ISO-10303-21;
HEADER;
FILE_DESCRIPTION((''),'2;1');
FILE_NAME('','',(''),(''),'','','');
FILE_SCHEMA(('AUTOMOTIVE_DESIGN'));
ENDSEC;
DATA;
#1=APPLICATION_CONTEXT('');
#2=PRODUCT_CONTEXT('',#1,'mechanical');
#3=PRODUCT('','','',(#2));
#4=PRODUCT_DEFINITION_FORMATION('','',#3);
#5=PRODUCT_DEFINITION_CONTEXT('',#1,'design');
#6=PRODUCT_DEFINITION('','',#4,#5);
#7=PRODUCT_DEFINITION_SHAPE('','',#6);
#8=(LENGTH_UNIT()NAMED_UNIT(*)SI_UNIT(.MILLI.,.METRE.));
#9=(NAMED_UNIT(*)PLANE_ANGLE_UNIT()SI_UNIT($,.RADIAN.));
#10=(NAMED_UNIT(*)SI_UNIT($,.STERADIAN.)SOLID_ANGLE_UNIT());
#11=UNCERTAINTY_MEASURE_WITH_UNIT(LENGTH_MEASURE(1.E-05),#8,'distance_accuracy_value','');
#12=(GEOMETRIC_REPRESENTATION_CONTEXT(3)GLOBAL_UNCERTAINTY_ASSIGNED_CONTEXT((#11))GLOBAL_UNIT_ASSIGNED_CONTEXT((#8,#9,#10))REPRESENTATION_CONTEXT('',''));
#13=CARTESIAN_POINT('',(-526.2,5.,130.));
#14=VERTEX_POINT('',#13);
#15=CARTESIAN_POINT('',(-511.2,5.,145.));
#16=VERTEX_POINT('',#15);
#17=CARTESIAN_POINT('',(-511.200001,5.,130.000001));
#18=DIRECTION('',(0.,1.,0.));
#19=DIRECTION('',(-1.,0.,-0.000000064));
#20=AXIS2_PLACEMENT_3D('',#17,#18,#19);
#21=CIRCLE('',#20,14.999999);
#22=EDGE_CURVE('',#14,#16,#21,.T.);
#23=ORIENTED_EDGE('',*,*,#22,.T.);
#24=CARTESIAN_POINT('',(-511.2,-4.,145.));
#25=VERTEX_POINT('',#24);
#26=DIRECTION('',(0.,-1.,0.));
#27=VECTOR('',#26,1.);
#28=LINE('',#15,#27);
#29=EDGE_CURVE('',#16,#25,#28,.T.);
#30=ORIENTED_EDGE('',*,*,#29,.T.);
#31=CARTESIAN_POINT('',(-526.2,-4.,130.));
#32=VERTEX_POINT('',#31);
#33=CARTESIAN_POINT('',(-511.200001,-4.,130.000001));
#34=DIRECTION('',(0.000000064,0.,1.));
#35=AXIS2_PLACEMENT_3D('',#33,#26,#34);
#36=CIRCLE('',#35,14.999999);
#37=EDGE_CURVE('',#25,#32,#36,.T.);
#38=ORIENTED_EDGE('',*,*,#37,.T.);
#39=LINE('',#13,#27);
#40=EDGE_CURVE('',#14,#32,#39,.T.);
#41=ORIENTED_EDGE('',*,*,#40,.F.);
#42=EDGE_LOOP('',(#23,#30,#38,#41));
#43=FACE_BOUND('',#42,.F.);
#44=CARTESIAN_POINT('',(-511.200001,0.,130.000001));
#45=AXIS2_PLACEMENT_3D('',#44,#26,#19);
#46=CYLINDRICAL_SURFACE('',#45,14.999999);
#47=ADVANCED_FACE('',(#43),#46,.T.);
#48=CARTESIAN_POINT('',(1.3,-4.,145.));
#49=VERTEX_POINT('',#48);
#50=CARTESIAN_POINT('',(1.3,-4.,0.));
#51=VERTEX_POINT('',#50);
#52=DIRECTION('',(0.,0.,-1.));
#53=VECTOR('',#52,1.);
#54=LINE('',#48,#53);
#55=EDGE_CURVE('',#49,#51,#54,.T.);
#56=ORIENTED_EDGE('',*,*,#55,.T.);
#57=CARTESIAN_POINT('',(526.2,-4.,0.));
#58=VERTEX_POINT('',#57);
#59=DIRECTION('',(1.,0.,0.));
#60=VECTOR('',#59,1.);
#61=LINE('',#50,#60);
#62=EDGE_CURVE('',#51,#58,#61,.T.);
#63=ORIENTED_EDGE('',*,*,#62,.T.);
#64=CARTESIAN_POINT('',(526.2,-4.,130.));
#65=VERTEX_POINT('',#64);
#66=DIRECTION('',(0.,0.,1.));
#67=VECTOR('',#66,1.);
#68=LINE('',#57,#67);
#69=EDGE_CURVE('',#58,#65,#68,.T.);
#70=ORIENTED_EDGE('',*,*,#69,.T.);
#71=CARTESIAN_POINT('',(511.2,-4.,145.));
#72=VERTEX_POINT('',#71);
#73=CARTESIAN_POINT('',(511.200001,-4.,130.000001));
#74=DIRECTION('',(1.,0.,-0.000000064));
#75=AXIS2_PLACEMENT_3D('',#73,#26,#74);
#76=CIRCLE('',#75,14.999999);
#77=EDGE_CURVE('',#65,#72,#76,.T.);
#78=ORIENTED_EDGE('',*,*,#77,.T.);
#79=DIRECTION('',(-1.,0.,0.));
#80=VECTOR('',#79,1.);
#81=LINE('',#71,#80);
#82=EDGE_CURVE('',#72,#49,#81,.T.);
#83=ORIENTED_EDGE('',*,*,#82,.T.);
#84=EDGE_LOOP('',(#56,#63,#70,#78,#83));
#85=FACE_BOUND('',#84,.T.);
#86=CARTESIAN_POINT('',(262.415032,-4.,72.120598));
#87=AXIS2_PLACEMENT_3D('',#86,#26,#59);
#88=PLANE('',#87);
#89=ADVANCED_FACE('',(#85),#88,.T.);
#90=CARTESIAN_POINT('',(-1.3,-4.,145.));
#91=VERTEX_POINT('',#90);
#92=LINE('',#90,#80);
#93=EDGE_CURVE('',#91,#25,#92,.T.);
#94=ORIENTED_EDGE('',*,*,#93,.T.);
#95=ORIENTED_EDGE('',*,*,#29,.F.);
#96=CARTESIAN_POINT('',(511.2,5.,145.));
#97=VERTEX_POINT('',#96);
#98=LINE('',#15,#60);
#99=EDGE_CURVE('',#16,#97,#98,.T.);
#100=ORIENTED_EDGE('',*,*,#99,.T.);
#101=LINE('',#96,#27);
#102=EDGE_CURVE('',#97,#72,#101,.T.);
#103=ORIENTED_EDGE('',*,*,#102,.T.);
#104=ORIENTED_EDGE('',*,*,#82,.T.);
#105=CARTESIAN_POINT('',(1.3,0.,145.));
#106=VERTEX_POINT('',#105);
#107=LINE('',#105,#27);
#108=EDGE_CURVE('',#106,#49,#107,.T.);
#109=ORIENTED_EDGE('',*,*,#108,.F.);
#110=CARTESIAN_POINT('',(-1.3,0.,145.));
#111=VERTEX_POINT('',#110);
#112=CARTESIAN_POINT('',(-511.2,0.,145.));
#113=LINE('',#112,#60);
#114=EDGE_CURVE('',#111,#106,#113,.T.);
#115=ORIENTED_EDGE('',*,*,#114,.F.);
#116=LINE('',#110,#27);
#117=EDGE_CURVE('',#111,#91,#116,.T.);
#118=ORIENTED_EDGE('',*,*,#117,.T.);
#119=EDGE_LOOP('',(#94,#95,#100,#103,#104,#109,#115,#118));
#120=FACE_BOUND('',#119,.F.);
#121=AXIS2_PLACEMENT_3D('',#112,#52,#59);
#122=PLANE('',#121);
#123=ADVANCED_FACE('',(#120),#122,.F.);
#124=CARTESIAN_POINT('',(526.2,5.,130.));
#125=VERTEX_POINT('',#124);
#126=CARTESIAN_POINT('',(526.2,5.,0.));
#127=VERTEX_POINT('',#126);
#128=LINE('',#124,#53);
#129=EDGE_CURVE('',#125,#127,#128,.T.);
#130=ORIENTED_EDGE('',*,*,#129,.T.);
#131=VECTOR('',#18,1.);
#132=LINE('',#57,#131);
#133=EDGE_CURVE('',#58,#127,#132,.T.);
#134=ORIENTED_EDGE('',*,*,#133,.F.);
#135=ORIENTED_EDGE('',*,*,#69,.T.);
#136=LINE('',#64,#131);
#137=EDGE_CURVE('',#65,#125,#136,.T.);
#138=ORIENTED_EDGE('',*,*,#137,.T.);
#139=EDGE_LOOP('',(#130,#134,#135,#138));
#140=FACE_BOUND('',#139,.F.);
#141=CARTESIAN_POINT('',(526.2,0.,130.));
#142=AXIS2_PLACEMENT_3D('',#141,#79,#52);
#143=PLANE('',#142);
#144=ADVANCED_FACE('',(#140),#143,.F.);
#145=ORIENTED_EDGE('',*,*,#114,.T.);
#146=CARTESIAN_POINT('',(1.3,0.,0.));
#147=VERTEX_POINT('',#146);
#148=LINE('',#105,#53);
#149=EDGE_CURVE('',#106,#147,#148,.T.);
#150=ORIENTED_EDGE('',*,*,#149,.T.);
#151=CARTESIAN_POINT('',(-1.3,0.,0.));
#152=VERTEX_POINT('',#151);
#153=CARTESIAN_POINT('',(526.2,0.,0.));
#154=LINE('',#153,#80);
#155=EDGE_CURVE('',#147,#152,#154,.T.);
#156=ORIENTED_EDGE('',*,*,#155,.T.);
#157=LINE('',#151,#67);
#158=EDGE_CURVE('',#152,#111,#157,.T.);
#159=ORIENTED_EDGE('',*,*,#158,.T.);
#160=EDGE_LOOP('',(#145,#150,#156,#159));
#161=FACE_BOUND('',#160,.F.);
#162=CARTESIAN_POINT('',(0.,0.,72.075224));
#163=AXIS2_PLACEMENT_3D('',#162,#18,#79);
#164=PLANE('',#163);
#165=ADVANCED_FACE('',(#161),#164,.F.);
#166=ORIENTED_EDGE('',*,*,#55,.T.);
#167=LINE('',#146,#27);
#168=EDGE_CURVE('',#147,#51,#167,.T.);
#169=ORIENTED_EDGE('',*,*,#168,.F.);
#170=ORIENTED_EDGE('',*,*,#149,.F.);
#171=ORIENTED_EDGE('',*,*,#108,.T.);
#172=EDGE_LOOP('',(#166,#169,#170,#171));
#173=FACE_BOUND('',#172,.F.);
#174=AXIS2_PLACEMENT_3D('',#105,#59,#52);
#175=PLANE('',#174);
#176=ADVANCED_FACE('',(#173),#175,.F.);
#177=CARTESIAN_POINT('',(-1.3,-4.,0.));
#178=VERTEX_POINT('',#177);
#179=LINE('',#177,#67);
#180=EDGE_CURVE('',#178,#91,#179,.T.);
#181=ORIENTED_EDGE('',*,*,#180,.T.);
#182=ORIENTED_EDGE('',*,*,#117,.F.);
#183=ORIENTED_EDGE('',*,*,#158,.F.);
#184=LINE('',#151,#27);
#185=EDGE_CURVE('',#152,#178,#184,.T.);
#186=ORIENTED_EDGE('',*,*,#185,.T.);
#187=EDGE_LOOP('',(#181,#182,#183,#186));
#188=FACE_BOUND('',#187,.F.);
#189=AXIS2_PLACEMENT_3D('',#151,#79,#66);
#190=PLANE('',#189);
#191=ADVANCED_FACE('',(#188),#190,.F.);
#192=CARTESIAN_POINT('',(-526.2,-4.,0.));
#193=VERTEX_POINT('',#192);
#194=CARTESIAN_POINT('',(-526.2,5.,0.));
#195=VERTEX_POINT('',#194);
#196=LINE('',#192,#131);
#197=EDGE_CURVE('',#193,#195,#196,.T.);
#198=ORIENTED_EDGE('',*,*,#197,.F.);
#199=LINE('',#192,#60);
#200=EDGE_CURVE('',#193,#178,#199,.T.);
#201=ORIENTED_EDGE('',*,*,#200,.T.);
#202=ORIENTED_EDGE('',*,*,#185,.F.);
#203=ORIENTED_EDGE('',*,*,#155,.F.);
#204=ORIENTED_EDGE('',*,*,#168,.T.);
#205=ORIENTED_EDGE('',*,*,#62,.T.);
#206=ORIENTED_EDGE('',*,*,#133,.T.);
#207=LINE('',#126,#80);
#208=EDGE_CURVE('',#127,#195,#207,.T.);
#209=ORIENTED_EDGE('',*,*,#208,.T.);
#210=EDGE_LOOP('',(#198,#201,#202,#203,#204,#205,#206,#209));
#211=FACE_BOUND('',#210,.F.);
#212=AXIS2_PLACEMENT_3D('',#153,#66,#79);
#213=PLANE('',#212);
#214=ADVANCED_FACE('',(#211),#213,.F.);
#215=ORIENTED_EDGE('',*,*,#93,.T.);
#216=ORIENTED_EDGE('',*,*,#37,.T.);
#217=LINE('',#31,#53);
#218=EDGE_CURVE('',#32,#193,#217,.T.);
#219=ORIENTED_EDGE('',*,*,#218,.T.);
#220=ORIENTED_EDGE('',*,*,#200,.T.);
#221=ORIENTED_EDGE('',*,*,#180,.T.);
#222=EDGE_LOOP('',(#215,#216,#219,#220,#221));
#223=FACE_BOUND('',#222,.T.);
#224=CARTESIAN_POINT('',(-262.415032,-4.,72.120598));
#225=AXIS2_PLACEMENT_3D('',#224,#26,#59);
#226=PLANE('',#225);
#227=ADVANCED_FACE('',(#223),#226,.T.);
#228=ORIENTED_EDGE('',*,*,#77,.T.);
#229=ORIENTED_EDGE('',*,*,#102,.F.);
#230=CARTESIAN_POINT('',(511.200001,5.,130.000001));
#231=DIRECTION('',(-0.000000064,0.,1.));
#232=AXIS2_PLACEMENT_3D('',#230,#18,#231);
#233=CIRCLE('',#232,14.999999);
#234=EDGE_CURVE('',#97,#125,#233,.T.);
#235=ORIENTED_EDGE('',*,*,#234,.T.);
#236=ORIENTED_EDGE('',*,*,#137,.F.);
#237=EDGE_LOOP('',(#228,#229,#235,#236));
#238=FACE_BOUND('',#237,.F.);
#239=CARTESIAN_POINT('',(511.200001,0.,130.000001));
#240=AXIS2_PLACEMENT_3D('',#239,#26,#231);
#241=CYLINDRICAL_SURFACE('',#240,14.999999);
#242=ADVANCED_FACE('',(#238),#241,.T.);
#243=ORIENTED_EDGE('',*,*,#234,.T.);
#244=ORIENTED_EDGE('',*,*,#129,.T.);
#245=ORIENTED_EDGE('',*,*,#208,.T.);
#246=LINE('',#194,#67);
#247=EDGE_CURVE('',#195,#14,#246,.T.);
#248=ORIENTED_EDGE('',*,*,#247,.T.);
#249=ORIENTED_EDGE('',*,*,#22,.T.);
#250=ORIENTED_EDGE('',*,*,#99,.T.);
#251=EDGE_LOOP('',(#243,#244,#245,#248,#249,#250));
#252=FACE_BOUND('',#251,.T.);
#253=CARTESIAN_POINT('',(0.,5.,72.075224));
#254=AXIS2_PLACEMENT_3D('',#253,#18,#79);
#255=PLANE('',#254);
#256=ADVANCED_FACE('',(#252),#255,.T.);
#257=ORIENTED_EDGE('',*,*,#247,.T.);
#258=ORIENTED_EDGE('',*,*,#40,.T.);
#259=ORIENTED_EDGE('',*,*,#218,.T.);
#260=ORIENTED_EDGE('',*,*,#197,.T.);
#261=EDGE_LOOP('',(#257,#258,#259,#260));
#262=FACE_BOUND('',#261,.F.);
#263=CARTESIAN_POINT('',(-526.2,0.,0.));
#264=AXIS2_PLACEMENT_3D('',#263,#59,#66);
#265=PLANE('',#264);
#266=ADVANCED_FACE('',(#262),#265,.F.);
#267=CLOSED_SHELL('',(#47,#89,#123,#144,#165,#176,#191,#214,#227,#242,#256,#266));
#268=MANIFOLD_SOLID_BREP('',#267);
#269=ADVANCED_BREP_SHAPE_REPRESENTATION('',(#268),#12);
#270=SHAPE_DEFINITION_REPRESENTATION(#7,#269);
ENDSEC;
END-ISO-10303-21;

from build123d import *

# Parameters (mm, degrees)
F1_DEPTH = 4
F3_DEPTH = 5


with BuildPart() as f1:
    # F0 (on Front) → F1 (new body)
    with BuildSketch(Plane.XZ):
        with BuildLine():
            Line((1.3, 145), (1.3, 0))
            Line((1.3, 0), (526.2, 0))
            Line((526.2, 0), (526.2, 130))
            ThreePointArc((526.2, 130), (521.806602, 140.606602), (511.2, 145))
            Line((511.2, 145), (1.3, 145))
        make_face()
        with BuildLine():
            ThreePointArc((-511.2, 145), (-521.806602, 140.606602), (-526.2, 130))
            Line((-526.2, 130), (-526.2, 0))
            Line((-526.2, 0), (-1.3, 0))
            Line((-1.3, 0), (-1.3, 145))
            Line((-1.3, 145), (-511.2, 145))
        make_face()
    extrude(amount=F1_DEPTH)

    # F2 (on face) → F3 (join)
    with BuildSketch(Plane(origin=(0, 0, 0), x_dir=(-1, 0, 0), z_dir=(0, 1, 0))):
        with BuildLine():
            ThreePointArc((-511.2, 145), (-521.806602, 140.606602), (-526.2, 130))
            Line((-526.2, 130), (-526.2, 0))
            Line((-526.2, 0), (526.2, 0))
            Line((526.2, 0), (526.2, 130))
            ThreePointArc((526.2, 130), (521.806602, 140.606602), (511.2, 145))
            Line((511.2, 145), (-511.2, 145))
        make_face()
    extrude(amount=F3_DEPTH)


solid = f1.part
